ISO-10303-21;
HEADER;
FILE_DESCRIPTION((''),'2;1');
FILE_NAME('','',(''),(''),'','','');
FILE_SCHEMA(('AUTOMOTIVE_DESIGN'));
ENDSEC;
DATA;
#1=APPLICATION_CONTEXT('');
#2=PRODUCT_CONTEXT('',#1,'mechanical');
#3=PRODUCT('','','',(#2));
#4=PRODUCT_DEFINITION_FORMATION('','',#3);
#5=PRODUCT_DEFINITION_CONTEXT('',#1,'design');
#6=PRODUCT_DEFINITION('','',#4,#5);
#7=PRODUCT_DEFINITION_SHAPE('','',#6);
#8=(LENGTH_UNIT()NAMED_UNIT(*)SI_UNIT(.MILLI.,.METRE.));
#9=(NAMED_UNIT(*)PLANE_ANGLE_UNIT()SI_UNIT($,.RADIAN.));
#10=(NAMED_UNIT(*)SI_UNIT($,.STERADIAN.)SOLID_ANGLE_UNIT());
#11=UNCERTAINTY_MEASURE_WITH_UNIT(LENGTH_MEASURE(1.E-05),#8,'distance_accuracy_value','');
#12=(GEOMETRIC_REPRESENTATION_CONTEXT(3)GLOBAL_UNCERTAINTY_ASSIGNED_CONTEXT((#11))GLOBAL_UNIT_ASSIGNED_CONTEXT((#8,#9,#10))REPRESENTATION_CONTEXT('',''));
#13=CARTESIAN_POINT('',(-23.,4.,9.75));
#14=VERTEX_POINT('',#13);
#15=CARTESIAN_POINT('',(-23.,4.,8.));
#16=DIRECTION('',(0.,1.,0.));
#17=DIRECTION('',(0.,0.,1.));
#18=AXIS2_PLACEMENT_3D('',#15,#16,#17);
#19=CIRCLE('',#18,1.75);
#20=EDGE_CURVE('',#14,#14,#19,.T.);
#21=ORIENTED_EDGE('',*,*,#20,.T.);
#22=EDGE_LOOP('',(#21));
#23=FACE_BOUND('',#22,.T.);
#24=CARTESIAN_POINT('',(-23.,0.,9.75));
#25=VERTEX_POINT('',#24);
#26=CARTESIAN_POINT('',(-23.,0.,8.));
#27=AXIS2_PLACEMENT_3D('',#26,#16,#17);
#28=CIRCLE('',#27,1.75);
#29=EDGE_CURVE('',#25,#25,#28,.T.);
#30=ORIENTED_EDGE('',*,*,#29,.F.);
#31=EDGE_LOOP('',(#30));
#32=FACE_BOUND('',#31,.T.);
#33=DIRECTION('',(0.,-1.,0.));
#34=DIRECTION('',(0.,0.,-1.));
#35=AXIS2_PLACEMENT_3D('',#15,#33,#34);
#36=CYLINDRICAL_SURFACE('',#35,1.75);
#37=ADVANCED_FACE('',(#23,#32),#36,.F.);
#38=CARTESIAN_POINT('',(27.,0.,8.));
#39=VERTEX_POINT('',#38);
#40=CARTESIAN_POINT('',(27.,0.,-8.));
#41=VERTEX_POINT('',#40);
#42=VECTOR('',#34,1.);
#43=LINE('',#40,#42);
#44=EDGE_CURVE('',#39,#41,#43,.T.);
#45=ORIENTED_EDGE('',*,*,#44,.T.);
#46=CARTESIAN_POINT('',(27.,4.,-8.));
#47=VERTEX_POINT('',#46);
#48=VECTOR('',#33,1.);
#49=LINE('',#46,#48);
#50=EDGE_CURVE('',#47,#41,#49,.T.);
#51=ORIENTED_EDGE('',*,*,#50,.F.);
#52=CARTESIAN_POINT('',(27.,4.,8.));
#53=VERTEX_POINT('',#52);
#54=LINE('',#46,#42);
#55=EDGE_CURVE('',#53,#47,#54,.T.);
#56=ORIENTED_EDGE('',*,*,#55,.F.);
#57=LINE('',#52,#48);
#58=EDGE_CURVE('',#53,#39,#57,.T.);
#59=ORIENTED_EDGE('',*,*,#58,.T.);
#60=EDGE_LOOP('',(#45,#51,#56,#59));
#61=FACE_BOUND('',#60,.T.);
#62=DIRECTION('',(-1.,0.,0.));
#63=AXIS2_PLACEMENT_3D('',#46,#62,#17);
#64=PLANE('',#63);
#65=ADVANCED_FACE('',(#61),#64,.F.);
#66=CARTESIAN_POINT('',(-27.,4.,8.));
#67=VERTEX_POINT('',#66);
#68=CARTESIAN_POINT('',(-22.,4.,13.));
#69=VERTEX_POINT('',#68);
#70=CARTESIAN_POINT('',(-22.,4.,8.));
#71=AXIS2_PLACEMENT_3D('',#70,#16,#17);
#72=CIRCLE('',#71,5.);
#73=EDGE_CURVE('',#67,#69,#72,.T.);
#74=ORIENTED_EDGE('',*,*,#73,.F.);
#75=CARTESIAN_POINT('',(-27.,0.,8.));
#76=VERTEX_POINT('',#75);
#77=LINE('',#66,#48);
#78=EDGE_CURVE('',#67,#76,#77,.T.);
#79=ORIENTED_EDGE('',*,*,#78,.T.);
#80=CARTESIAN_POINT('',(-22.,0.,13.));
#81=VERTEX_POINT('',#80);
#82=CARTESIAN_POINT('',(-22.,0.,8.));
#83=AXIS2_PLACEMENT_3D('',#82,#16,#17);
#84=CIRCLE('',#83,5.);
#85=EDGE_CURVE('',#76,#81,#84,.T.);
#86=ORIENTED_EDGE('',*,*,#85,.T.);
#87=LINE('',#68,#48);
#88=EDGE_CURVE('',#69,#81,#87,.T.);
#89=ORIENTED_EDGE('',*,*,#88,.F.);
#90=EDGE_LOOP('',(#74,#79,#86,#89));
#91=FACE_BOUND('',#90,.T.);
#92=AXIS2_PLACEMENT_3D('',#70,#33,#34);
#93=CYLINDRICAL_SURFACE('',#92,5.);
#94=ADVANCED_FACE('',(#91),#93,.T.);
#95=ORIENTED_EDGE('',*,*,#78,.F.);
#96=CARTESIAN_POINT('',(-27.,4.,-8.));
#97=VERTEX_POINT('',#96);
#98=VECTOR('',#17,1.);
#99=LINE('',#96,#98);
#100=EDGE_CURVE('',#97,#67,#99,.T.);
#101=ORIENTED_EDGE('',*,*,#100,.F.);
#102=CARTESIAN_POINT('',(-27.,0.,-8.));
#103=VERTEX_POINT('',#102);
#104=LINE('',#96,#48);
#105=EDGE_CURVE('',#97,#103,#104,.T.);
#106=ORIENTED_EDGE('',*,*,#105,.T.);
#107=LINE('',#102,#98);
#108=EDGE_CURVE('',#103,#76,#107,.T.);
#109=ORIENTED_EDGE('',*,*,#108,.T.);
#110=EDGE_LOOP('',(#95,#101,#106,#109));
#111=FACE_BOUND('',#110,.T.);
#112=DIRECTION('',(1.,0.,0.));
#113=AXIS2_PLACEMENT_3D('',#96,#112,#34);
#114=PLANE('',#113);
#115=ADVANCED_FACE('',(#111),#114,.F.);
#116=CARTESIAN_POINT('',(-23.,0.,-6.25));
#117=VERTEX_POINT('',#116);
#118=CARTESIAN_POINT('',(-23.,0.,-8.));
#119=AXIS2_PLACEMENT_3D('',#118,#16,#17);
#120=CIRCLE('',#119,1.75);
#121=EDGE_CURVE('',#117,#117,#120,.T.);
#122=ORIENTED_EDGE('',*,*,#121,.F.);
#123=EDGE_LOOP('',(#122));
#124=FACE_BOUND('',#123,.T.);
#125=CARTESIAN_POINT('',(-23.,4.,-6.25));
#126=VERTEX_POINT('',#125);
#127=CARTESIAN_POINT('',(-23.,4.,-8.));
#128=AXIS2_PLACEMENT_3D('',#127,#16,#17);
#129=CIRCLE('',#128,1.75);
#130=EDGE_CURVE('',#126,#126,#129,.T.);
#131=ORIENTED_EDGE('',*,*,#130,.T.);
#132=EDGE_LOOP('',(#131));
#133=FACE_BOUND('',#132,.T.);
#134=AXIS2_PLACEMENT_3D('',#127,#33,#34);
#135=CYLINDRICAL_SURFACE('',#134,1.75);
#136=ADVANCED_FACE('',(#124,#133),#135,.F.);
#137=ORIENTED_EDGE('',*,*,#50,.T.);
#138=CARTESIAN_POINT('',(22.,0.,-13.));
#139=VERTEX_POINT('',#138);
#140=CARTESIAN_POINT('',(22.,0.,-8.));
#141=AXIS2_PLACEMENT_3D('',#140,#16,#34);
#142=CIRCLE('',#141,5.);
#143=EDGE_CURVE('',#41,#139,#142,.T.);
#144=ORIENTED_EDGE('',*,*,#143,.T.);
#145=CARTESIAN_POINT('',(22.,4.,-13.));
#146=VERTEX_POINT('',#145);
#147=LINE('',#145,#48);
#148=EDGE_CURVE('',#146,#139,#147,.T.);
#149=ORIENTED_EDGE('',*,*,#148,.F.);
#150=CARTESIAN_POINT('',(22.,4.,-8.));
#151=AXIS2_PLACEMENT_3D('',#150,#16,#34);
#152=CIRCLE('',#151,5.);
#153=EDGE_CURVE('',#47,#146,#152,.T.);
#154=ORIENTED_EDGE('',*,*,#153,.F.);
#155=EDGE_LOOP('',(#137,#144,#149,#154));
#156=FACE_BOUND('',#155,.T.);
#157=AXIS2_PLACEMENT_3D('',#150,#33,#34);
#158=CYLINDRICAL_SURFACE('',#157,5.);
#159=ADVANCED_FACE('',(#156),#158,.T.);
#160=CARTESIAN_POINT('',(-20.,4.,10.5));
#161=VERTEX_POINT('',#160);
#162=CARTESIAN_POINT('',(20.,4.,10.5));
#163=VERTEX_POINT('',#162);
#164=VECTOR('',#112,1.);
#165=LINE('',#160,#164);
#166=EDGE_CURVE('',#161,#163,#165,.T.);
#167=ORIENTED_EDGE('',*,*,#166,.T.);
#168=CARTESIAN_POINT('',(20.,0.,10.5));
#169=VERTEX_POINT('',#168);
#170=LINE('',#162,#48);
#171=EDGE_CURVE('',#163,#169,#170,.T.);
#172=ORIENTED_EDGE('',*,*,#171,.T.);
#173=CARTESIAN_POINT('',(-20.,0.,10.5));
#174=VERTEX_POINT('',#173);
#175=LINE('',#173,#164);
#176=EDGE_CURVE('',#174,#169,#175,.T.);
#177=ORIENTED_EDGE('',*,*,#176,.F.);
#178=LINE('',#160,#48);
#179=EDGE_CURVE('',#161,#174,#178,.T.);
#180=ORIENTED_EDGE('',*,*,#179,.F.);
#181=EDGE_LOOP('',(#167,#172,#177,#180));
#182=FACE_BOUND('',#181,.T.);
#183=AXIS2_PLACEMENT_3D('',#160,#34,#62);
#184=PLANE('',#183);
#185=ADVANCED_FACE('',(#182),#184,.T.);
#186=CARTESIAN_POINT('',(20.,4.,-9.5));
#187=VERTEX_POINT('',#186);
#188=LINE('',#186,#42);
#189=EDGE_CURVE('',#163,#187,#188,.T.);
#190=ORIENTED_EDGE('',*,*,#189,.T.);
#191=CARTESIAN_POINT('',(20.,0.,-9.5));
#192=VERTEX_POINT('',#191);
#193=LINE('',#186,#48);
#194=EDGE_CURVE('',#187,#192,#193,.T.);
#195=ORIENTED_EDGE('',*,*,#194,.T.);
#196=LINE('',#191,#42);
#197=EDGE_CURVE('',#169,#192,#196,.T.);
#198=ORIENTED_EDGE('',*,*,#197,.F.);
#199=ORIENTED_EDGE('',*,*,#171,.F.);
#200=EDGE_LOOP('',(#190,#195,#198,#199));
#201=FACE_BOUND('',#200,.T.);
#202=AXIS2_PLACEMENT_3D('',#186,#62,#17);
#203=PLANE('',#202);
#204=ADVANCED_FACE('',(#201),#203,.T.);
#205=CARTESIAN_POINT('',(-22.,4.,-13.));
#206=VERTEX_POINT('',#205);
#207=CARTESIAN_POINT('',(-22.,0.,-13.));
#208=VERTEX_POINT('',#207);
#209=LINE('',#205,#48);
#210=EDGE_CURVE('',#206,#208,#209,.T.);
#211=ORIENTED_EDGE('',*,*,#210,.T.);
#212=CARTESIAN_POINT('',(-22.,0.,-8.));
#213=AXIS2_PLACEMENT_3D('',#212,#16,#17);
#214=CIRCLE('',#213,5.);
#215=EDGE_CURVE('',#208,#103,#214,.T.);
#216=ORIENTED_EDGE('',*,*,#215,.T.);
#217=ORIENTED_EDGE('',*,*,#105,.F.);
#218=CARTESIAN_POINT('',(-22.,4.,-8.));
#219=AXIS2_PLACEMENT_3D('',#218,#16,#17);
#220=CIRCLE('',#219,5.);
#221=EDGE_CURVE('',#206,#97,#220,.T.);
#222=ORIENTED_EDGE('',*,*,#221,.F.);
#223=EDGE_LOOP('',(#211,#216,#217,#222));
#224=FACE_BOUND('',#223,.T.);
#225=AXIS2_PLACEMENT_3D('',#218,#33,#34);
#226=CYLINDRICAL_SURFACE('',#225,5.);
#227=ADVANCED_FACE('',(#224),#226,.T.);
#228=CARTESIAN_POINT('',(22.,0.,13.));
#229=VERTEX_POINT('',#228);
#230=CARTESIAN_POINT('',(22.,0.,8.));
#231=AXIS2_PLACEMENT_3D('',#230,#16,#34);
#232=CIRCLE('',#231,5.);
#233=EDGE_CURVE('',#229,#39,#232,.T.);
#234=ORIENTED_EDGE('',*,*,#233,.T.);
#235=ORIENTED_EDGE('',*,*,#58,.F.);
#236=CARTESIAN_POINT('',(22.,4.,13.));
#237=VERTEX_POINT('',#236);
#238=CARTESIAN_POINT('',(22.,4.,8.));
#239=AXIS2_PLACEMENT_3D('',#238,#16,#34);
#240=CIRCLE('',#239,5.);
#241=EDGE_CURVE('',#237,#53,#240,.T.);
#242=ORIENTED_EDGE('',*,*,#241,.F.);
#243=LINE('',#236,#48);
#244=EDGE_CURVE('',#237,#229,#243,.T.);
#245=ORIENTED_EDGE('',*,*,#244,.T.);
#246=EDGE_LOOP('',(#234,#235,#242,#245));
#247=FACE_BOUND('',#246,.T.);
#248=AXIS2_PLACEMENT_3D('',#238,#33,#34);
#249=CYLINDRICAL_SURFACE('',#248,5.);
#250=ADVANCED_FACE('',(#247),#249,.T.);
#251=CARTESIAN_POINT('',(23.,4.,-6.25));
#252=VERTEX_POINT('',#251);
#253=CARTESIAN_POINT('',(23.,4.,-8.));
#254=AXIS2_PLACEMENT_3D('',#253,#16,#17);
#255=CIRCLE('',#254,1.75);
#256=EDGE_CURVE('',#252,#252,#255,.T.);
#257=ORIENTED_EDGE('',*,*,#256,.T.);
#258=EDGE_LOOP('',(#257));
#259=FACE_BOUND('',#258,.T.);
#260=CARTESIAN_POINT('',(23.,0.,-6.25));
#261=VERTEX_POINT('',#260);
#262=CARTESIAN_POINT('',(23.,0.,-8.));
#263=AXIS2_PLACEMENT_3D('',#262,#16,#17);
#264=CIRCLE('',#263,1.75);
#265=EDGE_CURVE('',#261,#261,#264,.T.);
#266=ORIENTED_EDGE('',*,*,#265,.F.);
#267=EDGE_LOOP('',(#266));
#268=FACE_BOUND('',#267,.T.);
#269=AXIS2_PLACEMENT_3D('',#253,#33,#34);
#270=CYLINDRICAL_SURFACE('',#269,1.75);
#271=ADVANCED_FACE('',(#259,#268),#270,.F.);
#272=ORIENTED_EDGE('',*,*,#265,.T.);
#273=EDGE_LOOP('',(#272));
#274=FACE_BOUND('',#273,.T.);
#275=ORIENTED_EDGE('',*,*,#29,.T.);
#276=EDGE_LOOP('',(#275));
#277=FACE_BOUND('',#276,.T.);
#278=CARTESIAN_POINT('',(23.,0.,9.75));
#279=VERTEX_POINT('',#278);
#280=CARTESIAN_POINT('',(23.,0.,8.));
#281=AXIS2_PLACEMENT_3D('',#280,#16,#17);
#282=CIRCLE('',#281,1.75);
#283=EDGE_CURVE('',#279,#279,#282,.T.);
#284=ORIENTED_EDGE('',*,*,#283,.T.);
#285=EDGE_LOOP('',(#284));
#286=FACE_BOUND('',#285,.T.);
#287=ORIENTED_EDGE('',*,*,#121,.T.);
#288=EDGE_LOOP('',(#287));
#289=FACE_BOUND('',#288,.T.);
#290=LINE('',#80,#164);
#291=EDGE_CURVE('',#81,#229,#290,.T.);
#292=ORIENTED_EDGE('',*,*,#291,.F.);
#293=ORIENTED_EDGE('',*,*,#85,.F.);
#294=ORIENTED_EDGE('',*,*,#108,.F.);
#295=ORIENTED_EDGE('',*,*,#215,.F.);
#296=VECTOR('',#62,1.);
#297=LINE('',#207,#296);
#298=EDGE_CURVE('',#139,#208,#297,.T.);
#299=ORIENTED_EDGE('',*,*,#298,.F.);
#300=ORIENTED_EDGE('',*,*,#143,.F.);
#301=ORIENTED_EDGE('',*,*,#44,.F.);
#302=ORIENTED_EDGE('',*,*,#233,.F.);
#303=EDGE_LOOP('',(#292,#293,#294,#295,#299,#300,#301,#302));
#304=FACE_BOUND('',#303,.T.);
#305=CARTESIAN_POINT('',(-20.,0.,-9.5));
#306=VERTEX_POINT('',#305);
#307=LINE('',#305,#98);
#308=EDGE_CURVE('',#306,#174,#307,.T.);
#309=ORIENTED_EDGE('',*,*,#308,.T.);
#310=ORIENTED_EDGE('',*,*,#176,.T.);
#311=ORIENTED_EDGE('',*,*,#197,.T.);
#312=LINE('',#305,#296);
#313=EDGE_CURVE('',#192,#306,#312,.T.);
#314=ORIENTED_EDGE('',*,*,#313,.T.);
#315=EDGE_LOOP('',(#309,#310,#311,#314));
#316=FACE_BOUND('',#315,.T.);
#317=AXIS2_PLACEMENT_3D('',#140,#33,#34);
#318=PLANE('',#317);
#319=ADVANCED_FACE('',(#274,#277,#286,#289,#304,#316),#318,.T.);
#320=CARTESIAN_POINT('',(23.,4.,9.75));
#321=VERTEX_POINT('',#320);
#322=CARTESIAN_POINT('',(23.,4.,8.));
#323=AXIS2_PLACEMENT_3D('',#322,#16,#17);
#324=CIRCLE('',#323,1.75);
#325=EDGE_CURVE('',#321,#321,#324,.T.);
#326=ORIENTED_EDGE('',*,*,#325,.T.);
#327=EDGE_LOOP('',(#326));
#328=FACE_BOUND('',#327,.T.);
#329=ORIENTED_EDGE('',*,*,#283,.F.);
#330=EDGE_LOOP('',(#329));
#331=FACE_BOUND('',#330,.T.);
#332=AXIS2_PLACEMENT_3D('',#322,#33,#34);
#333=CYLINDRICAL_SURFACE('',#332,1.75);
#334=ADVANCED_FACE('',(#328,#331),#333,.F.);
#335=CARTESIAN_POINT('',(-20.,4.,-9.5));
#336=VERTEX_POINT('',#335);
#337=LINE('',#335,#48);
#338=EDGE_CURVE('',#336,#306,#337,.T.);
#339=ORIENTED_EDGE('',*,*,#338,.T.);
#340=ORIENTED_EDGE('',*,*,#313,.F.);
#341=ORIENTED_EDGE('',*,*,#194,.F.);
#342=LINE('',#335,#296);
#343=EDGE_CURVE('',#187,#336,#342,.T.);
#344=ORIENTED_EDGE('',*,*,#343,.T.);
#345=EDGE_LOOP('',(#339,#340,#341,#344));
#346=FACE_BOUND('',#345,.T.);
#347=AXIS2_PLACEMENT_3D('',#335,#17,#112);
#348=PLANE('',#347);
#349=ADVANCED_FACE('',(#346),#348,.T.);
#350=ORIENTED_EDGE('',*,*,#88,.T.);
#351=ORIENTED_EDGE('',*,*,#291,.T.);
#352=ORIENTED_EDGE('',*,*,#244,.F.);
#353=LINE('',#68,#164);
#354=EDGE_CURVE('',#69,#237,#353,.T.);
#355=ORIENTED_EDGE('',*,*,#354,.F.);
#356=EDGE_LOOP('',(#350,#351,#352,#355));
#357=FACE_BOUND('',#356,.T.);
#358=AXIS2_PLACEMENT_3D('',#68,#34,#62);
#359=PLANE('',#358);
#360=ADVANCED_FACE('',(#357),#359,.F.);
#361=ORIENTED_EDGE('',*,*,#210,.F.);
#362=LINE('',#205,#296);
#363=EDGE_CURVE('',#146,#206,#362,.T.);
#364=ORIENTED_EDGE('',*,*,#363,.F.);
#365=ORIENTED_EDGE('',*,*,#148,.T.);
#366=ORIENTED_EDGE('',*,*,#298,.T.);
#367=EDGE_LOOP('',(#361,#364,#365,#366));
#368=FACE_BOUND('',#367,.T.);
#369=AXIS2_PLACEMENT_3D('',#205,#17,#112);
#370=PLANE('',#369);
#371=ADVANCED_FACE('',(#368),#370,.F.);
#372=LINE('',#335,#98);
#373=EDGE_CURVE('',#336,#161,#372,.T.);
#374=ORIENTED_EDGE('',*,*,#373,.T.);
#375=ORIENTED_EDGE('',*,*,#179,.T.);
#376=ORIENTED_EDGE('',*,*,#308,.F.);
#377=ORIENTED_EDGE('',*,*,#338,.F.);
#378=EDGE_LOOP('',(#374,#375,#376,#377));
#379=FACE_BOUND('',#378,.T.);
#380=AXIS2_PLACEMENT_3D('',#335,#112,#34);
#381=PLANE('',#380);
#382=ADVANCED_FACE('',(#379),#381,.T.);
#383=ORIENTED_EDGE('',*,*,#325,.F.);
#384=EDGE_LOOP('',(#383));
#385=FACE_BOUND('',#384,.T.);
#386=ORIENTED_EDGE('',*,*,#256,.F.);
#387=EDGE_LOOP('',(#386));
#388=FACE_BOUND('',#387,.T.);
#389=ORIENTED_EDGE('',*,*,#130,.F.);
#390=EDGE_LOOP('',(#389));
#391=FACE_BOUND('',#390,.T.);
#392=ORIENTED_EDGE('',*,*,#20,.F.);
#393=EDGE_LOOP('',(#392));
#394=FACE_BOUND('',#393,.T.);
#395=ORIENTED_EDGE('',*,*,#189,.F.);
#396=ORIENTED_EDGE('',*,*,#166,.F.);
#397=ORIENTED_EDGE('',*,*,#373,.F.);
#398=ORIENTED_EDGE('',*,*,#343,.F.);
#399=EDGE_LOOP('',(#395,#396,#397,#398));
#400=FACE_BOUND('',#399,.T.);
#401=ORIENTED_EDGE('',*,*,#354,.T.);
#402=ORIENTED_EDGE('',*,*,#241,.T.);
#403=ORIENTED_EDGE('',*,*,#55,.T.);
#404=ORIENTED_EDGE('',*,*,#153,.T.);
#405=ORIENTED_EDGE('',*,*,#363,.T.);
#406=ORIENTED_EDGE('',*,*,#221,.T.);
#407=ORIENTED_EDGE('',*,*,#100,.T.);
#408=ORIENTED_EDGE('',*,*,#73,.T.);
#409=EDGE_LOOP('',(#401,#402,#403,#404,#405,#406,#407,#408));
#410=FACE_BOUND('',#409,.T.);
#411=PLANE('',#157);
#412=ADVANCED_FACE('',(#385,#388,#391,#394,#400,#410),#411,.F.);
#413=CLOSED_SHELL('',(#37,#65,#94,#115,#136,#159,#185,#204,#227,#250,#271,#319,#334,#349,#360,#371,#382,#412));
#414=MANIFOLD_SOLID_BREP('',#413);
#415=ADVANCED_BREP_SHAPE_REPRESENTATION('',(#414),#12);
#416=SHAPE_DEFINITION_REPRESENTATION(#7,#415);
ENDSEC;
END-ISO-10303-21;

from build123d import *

# Parameters (mm, degrees)
SKETCH_1_R      = 1.75
SKETCH_1_W      = 40
SKETCH_1_H      = 20
EXTRUDE_1_DEPTH = 4


with BuildPart() as part:
    # 草图1 → 凸台-拉伸1 (new body)
    with BuildSketch(Plane(origin=(0, 0, 0), x_dir=(1, 0, 0), z_dir=(0, 1, 0))):
        with BuildLine():
            Line((-22, 13), (22, 13))
            ThreePointArc((22, 13), (25.535533906, 11.535533906), (27, 8))
            Line((27, 8), (27, -8))
            ThreePointArc((27, -8), (25.535533906, -11.535533906), (22, -13))
            Line((22, -13), (-22, -13))
            ThreePointArc((-22, -13), (-25.535533906, -11.535533906), (-27, -8))
            Line((-27, -8), (-27, 8))
            ThreePointArc((-27, 8), (-25.535533906, 11.535533906), (-22, 13))
        make_face()
        with Locations((-23, -8)):
            Circle(SKETCH_1_R, mode=Mode.SUBTRACT)
        with Locations((-23, 8)):
            Circle(SKETCH_1_R, mode=Mode.SUBTRACT)
        with Locations((23, 8)):
            Circle(SKETCH_1_R, mode=Mode.SUBTRACT)
        with Locations((23, -8)):
            Circle(SKETCH_1_R, mode=Mode.SUBTRACT)
        with Locations((0, -0.5)):
            Rectangle(SKETCH_1_W, SKETCH_1_H, mode=Mode.SUBTRACT)
    extrude(amount=EXTRUDE_1_DEPTH)


solid = part.part
